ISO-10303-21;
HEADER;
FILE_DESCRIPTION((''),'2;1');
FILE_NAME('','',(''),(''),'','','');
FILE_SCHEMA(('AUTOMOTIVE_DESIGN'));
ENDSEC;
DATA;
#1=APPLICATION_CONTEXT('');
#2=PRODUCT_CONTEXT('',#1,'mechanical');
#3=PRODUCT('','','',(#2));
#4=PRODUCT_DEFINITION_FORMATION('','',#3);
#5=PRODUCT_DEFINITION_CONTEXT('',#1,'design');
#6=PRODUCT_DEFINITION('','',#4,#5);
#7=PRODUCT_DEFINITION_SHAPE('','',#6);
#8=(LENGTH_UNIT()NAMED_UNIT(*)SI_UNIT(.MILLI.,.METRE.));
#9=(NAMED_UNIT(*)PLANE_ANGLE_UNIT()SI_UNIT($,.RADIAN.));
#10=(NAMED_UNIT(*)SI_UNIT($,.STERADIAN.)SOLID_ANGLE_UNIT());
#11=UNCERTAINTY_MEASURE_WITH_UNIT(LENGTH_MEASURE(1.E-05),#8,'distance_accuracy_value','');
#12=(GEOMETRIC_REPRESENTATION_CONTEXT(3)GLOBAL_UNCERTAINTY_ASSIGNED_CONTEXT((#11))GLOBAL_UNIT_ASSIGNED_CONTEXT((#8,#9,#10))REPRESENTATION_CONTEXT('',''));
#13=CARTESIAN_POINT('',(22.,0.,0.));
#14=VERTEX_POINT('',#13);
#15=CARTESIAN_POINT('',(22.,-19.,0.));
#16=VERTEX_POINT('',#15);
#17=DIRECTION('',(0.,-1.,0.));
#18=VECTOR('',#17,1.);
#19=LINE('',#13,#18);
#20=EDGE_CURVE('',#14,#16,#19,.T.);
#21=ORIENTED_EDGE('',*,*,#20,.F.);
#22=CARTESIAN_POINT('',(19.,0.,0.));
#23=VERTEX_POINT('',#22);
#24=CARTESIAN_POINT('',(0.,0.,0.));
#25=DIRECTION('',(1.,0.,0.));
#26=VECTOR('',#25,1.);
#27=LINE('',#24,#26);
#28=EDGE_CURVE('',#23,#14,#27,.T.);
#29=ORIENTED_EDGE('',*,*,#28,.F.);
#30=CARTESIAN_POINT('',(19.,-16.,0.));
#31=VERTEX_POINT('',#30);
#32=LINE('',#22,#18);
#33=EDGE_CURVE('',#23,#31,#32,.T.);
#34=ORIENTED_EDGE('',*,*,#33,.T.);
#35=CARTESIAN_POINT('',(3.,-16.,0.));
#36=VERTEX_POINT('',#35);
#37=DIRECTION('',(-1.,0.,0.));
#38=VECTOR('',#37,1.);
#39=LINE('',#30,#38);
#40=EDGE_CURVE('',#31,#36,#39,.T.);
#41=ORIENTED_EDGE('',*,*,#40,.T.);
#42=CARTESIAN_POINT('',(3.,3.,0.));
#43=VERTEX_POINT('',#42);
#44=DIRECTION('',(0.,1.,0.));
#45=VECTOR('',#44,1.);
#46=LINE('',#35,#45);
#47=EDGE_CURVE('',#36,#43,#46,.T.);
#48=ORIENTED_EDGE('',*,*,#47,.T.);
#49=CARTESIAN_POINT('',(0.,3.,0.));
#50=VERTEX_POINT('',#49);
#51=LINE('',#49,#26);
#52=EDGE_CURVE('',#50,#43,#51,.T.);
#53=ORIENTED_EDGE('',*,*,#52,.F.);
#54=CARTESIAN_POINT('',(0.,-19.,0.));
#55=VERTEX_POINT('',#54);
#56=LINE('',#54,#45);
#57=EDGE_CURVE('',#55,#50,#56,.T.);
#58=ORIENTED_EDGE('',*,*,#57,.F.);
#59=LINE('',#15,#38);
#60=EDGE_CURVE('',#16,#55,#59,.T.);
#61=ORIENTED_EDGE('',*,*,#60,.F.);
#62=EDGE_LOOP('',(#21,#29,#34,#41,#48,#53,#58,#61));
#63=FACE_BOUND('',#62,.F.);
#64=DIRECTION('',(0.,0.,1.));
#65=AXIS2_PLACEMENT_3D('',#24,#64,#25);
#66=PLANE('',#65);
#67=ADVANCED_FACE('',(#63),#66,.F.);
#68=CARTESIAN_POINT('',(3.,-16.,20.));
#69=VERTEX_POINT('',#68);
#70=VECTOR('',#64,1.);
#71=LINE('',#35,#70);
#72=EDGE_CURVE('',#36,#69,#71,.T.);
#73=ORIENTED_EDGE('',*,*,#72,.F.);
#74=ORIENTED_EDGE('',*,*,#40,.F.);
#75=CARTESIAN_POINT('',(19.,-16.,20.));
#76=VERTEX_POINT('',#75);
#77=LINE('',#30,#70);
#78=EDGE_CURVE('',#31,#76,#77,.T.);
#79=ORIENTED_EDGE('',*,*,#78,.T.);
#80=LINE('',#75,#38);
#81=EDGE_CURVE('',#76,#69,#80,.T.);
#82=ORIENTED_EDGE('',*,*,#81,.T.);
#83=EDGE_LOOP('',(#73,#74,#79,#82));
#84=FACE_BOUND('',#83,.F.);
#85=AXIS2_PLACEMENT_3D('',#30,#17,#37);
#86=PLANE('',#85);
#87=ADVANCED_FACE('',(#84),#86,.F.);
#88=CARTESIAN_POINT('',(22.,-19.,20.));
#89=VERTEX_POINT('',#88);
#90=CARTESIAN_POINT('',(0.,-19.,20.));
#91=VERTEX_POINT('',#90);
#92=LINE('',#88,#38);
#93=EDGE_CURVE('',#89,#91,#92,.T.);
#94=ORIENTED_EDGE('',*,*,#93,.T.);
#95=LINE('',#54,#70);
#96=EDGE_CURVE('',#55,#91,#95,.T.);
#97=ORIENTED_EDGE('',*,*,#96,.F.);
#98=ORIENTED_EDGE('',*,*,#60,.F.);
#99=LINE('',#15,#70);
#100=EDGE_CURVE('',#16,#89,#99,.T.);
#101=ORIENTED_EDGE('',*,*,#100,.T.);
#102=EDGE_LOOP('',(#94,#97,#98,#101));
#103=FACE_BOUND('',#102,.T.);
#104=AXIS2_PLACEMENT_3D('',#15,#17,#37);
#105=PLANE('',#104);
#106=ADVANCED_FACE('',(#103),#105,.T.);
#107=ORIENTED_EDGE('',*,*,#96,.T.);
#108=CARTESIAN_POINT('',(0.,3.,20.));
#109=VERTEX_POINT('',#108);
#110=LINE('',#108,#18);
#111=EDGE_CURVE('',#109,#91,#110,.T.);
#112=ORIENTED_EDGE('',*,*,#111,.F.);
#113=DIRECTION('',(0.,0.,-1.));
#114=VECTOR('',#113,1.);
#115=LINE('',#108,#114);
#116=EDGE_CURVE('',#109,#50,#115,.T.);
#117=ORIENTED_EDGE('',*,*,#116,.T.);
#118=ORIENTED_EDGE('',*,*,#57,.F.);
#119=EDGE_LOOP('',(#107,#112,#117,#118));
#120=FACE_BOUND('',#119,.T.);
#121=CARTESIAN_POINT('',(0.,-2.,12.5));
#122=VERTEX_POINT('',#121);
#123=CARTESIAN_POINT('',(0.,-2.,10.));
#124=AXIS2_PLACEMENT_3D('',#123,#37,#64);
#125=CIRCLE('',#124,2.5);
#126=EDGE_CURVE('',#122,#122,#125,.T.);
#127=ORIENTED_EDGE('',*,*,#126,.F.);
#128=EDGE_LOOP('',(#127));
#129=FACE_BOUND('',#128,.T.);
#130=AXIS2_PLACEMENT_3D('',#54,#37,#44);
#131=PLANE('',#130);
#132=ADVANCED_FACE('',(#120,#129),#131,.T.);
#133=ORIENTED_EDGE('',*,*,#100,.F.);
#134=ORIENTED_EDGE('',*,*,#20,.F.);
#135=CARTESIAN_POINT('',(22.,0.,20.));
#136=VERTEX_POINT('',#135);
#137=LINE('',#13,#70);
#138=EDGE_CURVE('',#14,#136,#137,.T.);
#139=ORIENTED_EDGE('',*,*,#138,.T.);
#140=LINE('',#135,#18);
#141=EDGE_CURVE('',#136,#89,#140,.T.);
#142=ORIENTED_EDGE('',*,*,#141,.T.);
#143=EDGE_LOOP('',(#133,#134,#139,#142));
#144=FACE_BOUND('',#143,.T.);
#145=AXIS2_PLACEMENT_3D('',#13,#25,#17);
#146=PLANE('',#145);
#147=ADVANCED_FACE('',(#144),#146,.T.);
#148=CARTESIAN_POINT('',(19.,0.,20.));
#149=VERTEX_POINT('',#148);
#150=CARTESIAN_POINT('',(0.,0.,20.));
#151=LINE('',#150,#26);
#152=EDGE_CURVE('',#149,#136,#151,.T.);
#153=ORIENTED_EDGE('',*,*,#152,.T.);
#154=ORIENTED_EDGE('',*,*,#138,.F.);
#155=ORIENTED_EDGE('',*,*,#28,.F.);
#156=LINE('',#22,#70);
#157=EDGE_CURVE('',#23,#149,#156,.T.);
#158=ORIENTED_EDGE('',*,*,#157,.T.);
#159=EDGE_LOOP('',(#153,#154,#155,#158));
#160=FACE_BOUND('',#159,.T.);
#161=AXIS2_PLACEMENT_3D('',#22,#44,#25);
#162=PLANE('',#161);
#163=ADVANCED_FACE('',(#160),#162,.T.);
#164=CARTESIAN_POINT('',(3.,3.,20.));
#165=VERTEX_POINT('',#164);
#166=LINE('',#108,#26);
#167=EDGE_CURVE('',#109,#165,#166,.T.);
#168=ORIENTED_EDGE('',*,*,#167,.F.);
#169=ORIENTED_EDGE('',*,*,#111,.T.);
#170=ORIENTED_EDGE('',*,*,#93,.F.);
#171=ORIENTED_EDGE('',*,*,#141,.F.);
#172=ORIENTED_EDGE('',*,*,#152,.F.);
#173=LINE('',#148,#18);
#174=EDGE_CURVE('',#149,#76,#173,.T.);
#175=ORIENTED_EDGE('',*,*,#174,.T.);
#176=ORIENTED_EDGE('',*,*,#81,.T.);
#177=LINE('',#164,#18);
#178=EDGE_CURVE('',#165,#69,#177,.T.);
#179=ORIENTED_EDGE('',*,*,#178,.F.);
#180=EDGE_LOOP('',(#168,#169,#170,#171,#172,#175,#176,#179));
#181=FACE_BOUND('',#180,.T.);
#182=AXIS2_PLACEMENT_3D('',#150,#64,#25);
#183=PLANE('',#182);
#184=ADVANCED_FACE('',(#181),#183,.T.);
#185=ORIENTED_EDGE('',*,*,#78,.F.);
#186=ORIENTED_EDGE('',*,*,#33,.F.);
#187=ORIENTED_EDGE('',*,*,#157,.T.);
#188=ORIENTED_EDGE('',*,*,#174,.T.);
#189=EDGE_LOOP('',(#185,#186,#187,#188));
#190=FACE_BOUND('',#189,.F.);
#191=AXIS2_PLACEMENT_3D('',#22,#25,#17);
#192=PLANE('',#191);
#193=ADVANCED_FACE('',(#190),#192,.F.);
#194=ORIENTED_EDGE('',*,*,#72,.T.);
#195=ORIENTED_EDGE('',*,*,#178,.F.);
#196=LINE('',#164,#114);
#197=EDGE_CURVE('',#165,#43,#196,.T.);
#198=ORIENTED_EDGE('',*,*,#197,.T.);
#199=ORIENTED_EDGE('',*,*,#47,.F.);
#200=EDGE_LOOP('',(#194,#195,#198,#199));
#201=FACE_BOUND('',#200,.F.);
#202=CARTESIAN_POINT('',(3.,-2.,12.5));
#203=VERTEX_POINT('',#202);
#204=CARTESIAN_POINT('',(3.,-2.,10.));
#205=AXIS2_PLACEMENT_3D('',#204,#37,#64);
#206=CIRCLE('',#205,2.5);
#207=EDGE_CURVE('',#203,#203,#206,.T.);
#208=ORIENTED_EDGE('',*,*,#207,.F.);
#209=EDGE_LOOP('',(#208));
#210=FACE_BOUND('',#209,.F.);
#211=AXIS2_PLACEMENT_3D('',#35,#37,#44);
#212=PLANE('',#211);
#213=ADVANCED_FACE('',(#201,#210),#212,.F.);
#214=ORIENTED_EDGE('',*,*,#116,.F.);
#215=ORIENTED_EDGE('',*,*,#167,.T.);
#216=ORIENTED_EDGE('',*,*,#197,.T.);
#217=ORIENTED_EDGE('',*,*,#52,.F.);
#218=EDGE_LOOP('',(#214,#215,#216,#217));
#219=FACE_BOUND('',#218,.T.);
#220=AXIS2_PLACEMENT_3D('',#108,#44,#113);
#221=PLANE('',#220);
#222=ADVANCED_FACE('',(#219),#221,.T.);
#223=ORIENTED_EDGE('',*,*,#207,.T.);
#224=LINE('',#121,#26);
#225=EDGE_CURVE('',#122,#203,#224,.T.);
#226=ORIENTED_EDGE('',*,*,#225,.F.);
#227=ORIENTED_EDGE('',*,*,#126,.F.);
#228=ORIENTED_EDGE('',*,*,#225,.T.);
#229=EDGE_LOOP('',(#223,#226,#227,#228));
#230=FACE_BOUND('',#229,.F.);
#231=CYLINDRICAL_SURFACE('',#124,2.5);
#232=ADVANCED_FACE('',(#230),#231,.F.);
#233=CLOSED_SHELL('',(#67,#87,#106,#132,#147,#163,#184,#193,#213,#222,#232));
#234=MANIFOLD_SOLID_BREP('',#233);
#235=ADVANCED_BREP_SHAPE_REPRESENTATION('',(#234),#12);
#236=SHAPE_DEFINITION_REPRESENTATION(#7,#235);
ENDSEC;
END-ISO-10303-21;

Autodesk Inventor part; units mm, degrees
ref_plane "YZ Plane" through (0, 0, 0) normal (1, 0, 0) x (0, 1, 0)
ref_plane "XZ Plane" through (0, 0, 0) normal (0, 1, 0) x (-1, 0, 0)
ref_plane "XY Plane" through (0, 0, 0) normal (0, 0, 1) x (1, 0, 0)
sketch "Sketch1" plane through (0, 0, 0) normal (0, 0, 1) x (1, 0, 0)
  line L0 (0, 0) -> (22, 0)
  line L1 (22, 0) -> (22, -19)
  line L2 (22, -19) -> (0, -19)
  line L3 (0, -19) -> (0, 0)
  line L4 (3, 0) -> (19, 0)
  line L5 (19, 0) -> (19, -16)
  line L6 (19, -16) -> (3, -16)
  line L7 (3, -16) -> (3, 0)
  dimension "d0" = 22
  dimension "d1" = 19
  dimension "d2" = 3
  dimension "d3" = 3
  dimension "d4" = 3
extrude "Extrusion1" add sketch "Sketch1" along normal blind 20 contours L0 L7 L6 L5 L1 L2 L3
sketch "Sketch2" plane through (0, -19, 0) normal (-1, 0, 0) x (0, 0, 1)
  line L0 (0, 19) -> (20, 19) projected
  line L1 (0, 19) -> (20, 19)
  line L2 (20, 19) -> (20, 22)
  line L3 (20, 22) -> (0, 22)
  line L4 (0, 22) -> (0, 19)
  dimension "d7" = 3
extrude "Extrusion2" add sketch "Sketch2" against normal blind 3
sketch "Sketch3" plane through (0, -19, 0) normal (-1, 0, 0) x (0, 0, 1)
  line L0 (0, 22) -> (0, 0) projected
  line L1 (20, 22) -> (0, 22) projected
  circle A0 centre (10, 17) radius 2.5
  point P0 (0, 19)
  dimension "d10" = 10
  dimension "d11" = 5
  dimension "d12" = 5
extrude "Extrusion3" cut sketch "Sketch3" against normal blind 5
equation "\"d3\" = d2"
equation "\"d4\" = d2"
properties part number "LED strip mount v01"
